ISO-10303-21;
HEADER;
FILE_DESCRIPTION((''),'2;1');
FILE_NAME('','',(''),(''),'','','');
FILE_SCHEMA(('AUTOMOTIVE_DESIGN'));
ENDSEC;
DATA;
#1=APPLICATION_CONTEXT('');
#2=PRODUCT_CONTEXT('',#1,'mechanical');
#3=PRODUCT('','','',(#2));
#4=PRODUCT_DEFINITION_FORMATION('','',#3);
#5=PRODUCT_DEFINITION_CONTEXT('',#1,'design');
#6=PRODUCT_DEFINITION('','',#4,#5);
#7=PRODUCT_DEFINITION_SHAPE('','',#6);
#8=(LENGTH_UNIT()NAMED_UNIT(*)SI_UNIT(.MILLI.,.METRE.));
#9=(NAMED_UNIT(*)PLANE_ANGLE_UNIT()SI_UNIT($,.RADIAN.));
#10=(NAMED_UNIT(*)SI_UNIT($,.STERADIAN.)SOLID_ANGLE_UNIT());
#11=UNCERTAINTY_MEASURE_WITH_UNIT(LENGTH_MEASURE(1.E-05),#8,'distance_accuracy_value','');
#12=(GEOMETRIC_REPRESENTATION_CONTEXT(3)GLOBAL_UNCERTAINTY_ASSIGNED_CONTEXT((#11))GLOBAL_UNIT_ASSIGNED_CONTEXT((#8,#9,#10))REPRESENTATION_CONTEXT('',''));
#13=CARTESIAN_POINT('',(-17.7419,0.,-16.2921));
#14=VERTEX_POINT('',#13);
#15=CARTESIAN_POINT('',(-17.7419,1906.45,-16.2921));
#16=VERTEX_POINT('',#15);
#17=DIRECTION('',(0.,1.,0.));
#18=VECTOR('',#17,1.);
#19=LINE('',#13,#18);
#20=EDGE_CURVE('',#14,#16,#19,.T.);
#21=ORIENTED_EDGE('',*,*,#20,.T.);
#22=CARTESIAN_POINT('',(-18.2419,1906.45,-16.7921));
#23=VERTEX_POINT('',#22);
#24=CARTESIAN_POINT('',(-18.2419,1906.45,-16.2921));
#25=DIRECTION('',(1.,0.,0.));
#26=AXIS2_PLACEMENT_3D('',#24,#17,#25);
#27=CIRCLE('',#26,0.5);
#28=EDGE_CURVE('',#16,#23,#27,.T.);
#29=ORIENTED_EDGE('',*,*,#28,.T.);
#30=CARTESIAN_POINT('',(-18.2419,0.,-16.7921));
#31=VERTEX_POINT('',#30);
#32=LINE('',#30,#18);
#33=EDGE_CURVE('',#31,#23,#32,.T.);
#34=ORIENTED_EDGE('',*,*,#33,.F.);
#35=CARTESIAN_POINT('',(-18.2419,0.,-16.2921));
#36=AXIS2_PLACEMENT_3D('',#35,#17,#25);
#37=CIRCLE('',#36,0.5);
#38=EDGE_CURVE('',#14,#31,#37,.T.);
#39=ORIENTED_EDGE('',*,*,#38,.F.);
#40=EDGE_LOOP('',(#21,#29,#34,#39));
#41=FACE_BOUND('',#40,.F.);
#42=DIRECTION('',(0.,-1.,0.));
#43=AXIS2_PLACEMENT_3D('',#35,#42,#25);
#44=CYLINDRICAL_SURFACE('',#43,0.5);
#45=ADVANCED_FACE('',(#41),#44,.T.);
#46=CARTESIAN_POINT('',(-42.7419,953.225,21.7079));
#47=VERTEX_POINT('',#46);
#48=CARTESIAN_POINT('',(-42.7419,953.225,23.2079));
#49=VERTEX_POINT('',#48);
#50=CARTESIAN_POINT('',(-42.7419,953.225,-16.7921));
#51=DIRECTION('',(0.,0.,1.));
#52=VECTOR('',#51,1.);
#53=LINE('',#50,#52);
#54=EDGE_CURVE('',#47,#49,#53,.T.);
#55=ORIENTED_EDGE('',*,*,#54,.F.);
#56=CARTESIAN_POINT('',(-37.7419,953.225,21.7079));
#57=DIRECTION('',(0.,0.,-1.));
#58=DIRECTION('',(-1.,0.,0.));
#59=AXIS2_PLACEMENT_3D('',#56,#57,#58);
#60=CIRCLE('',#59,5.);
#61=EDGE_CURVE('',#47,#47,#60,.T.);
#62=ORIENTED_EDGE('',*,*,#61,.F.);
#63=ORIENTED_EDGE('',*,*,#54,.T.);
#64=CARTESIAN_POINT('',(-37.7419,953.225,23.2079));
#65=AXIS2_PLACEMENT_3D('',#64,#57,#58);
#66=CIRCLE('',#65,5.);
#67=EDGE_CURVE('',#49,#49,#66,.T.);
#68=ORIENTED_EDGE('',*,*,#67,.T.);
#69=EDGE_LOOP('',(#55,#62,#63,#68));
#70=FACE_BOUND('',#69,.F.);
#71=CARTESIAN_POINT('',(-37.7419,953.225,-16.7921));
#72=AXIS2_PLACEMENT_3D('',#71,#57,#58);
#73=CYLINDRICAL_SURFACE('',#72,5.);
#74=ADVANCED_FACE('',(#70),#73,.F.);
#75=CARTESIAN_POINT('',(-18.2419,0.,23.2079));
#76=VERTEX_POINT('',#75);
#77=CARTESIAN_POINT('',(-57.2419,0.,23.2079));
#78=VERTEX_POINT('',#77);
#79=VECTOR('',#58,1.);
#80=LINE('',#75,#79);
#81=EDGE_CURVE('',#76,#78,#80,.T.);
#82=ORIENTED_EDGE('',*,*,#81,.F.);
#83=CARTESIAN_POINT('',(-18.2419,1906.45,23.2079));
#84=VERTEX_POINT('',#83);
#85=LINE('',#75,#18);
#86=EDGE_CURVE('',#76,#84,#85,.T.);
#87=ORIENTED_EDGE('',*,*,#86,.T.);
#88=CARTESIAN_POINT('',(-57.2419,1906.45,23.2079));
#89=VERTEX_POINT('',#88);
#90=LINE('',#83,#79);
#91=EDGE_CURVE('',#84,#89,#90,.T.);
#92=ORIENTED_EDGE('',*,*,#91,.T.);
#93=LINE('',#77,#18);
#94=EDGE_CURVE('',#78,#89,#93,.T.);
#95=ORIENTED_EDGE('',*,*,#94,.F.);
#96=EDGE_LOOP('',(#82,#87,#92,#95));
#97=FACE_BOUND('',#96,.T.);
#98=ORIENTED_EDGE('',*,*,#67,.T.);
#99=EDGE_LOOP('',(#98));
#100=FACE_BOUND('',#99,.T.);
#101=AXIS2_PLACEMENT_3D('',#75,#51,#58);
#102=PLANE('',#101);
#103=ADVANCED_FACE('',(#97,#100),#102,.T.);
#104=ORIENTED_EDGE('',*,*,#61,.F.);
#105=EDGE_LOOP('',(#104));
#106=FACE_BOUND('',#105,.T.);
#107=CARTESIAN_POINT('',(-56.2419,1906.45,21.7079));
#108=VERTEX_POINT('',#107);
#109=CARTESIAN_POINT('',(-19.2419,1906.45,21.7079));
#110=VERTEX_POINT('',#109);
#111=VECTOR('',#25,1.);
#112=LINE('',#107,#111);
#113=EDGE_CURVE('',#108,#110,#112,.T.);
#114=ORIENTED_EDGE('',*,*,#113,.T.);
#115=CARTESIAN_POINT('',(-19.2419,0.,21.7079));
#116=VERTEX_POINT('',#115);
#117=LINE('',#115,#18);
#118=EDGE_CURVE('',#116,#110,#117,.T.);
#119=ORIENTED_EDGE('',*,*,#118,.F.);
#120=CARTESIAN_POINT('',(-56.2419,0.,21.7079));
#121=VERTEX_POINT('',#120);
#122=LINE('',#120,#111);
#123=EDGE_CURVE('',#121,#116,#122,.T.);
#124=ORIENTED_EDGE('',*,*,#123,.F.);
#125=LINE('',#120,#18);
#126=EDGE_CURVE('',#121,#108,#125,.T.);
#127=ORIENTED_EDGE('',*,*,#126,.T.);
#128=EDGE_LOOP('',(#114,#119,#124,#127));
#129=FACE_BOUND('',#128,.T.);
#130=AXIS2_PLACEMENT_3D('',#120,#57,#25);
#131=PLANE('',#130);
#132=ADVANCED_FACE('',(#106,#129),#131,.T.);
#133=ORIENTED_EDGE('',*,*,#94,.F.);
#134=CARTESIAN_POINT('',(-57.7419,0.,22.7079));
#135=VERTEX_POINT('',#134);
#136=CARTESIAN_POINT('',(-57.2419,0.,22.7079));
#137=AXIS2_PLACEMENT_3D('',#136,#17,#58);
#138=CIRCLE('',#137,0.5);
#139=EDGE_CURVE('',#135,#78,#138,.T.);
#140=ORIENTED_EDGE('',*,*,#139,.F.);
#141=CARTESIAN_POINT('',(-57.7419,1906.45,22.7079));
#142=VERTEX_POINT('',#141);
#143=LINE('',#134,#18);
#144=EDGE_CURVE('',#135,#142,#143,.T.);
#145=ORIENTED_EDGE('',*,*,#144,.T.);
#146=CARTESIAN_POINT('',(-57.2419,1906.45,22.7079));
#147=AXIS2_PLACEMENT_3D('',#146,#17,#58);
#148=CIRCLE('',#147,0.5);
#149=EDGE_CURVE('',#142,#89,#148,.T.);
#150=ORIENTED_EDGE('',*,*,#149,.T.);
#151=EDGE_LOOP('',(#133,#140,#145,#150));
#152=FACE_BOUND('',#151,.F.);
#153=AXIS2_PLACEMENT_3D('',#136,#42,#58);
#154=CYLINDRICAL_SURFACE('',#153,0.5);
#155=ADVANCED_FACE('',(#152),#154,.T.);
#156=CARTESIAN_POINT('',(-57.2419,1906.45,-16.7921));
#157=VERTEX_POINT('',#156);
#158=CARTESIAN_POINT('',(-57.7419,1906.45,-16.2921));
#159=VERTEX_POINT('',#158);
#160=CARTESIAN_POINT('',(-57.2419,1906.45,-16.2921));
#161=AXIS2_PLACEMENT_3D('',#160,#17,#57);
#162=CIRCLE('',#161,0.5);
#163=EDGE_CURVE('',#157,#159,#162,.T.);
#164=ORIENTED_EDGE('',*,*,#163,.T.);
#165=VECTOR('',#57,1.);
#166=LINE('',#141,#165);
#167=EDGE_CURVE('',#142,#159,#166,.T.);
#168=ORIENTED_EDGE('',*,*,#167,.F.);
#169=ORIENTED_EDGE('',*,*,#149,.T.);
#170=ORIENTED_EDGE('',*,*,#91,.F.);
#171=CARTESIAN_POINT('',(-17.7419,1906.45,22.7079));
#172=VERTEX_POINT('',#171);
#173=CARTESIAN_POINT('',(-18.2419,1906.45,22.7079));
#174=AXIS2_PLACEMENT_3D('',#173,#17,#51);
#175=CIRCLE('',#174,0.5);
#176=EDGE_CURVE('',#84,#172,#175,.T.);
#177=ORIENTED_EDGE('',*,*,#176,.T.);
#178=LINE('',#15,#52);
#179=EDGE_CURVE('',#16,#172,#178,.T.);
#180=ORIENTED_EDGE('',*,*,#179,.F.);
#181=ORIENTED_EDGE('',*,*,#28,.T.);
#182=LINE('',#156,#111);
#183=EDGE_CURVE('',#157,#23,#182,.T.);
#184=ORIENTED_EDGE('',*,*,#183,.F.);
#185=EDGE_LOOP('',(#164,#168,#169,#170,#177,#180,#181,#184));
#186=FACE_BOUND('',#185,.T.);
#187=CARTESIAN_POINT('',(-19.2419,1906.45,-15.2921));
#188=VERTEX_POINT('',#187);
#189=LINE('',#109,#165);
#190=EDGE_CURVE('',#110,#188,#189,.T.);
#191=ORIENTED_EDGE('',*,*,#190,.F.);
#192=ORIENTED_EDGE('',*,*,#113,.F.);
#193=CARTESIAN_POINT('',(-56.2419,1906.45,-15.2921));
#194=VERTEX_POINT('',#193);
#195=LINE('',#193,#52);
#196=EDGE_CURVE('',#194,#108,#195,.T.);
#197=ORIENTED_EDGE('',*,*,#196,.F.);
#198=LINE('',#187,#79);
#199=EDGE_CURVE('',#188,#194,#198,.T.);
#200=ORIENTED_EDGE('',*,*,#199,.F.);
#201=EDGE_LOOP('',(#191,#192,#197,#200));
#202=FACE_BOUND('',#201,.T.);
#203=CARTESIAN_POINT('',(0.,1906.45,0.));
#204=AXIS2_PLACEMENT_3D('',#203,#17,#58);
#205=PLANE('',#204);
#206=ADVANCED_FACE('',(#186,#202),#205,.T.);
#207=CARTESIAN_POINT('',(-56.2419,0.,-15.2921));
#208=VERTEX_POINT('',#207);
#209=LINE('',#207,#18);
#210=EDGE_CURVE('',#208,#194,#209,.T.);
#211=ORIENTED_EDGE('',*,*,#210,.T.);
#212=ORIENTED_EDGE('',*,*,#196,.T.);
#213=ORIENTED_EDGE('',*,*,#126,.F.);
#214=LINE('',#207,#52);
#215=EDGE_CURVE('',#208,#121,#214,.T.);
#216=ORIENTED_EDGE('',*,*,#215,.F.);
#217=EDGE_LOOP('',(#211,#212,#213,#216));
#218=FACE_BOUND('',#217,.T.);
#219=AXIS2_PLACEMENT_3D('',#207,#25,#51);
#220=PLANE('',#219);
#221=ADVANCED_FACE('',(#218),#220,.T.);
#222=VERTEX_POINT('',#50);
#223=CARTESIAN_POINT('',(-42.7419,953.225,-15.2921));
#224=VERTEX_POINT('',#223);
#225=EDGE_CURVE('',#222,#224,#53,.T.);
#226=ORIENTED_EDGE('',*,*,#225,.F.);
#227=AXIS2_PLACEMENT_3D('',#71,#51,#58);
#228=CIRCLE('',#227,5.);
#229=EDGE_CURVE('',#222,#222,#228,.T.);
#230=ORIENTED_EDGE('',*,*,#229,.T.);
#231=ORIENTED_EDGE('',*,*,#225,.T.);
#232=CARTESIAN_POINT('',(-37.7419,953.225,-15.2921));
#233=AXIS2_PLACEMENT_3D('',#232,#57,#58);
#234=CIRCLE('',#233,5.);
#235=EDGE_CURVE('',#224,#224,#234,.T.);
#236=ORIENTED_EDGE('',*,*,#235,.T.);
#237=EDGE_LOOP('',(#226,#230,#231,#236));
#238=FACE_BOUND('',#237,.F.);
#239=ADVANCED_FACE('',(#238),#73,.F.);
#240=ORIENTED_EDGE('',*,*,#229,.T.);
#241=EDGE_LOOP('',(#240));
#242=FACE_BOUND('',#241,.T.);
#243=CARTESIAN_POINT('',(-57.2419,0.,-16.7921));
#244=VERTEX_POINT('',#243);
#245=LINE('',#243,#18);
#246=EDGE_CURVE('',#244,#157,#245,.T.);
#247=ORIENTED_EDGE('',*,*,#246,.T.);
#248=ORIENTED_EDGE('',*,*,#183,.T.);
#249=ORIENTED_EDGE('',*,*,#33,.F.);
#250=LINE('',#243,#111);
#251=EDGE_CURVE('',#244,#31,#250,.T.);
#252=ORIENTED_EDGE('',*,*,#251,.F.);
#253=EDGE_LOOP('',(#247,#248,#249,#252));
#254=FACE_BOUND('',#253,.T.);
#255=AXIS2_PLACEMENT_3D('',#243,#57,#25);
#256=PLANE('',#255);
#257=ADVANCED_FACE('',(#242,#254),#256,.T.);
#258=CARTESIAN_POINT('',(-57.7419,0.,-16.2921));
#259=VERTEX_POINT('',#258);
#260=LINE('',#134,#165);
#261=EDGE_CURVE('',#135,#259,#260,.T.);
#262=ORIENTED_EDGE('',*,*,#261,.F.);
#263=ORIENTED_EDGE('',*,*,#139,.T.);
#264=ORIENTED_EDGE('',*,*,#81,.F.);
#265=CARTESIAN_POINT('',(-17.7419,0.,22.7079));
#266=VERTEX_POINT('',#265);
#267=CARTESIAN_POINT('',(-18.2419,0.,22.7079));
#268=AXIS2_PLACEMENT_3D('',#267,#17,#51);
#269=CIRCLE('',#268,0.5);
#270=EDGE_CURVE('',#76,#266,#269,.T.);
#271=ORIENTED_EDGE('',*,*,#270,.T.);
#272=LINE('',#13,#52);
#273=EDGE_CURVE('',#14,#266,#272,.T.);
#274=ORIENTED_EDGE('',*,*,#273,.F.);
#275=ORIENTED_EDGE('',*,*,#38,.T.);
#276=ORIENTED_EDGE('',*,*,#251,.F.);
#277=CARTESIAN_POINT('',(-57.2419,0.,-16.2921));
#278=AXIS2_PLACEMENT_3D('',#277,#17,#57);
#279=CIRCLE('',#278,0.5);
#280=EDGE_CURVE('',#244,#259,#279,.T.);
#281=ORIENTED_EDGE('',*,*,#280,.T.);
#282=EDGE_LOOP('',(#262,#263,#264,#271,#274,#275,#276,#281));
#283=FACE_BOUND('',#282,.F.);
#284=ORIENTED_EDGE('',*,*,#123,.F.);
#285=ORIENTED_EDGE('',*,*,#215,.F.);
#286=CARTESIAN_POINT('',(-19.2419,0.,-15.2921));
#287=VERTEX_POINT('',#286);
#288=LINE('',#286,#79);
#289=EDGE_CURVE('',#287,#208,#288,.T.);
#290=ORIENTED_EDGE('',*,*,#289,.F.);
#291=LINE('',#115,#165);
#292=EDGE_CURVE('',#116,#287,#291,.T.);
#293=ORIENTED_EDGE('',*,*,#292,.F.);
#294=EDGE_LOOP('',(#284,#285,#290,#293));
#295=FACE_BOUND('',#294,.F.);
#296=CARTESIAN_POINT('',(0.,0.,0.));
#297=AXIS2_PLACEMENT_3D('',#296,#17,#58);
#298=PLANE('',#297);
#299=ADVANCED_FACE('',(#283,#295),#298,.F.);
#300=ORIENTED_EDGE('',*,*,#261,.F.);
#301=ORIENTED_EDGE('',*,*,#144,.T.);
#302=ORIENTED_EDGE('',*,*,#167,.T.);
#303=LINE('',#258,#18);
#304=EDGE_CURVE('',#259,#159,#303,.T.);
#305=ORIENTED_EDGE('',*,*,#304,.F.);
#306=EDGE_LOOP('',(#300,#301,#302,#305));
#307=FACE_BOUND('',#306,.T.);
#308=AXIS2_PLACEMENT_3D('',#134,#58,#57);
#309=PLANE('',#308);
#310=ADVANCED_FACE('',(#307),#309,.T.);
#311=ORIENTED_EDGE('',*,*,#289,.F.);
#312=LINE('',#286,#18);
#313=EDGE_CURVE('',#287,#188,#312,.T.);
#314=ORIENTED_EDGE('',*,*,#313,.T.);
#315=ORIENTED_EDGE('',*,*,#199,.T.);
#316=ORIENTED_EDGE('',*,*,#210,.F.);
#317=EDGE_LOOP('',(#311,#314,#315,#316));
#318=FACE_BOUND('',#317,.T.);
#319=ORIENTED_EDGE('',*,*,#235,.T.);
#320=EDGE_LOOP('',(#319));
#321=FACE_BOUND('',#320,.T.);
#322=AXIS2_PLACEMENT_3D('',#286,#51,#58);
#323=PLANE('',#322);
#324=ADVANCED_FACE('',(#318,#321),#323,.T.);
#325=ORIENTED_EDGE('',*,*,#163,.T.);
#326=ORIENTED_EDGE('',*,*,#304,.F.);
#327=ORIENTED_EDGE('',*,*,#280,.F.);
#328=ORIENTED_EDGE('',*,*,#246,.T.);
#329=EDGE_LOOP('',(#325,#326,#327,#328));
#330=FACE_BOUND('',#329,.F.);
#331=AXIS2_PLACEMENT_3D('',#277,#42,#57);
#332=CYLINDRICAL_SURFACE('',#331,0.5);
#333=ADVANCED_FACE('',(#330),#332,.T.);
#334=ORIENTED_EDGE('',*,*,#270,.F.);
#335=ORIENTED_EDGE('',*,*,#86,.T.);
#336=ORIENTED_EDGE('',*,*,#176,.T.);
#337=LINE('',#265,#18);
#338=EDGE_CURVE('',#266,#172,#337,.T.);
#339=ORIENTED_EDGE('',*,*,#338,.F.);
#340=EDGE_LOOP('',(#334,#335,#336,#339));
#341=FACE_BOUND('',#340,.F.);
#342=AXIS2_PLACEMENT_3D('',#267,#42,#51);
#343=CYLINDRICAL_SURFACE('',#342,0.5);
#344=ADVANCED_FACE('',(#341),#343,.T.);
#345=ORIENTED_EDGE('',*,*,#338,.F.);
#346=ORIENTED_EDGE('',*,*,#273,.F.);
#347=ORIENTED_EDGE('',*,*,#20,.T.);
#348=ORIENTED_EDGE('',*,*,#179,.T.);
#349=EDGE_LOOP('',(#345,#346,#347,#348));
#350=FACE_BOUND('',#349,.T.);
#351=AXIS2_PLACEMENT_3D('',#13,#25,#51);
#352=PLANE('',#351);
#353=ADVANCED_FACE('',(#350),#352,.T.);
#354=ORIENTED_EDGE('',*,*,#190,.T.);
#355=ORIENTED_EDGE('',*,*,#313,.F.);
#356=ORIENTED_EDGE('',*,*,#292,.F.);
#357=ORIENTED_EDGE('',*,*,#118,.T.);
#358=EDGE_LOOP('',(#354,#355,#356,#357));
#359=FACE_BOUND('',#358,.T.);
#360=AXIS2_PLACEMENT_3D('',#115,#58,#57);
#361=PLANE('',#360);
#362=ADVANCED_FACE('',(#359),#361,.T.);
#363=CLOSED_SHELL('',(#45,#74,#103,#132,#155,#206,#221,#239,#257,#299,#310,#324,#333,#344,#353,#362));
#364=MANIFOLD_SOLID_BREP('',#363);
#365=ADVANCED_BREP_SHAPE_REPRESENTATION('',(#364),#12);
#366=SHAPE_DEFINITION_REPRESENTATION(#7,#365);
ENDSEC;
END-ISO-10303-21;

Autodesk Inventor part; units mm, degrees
ref_plane "YZ Plane" through (0, 0, 0) normal (1, 0, 0) x (0, 1, 0)
ref_plane "XZ Plane" through (0, 0, 0) normal (0, 1, 0) x (-1, 0, 0)
ref_plane "XY Plane" through (0, 0, 0) normal (0, 0, 1) x (1, 0, 0)
sketch "Sketch1" plane through (0, 0, 0) normal (0, 1, 0) x (-1, 0, 0)
  line L0 (18.2419, 23.2079) -> (57.2419, 23.2079)
  line L1 (57.7419, 22.7079) -> (57.7419, -16.2921)
  line L2 (57.2419, -16.7921) -> (18.2419, -16.7921)
  line L3 (17.7419, -16.2921) -> (17.7419, 22.7079)
  line L4 (56.2419, 21.7079) -> (19.2419, 21.7079)
  line L5 (19.2419, 21.7079) -> (19.2419, -15.2921)
  line L6 (19.2419, -15.2921) -> (56.2419, -15.2921)
  line L7 (56.2419, -15.2921) -> (56.2419, 21.7079)
  arc A0 (18.2419, 23.2079) -> (17.7419, 22.7079) centre (18.2419, 22.7079) ccw
  arc A1 (57.7419, 22.7079) -> (57.2419, 23.2079) centre (57.2419, 22.7079) ccw
  arc A2 (57.2419, -16.7921) -> (57.7419, -16.2921) centre (57.2419, -16.2921) ccw
  arc A3 (17.7419, -16.2921) -> (18.2419, -16.7921) centre (18.2419, -16.2921) ccw
  point P0 (0, 0)
  point P1 (17.7419, 23.2079)
  point P2 (57.7419, 23.2079)
  point P3 (57.7419, -16.7921)
  dimension "d0" = 40
  dimension "d1" = 40
  dimension "d2" = 1.5
  dimension "d3" = 0.5
extrude "Extrusion1" add sketch "Sketch1" along normal blind 1906.45
sketch "Sketch2" plane through (-18.2419, 0, -16.7921) normal (0, 0, -1) x (-1, 0, 0)
  line L0 (0, 1906.45) -> (39, 1906.45) projected
  line L1 (19.5, 1906.45) -> (19.5, 0)
  line L2 (39, 0) -> (0, 0) projected
  circle A0 centre (19.5, 953.225) radius 5
  point P0 (-18.2419, 0)
  dimension "d6" = 10
extrude "Extrusion2" cut sketch "Sketch2" against normal blind 10
extrude "Extrusion3" cut sketch "Sketch2" against normal blind 231.3
properties part number "Metalon_Base_1"
